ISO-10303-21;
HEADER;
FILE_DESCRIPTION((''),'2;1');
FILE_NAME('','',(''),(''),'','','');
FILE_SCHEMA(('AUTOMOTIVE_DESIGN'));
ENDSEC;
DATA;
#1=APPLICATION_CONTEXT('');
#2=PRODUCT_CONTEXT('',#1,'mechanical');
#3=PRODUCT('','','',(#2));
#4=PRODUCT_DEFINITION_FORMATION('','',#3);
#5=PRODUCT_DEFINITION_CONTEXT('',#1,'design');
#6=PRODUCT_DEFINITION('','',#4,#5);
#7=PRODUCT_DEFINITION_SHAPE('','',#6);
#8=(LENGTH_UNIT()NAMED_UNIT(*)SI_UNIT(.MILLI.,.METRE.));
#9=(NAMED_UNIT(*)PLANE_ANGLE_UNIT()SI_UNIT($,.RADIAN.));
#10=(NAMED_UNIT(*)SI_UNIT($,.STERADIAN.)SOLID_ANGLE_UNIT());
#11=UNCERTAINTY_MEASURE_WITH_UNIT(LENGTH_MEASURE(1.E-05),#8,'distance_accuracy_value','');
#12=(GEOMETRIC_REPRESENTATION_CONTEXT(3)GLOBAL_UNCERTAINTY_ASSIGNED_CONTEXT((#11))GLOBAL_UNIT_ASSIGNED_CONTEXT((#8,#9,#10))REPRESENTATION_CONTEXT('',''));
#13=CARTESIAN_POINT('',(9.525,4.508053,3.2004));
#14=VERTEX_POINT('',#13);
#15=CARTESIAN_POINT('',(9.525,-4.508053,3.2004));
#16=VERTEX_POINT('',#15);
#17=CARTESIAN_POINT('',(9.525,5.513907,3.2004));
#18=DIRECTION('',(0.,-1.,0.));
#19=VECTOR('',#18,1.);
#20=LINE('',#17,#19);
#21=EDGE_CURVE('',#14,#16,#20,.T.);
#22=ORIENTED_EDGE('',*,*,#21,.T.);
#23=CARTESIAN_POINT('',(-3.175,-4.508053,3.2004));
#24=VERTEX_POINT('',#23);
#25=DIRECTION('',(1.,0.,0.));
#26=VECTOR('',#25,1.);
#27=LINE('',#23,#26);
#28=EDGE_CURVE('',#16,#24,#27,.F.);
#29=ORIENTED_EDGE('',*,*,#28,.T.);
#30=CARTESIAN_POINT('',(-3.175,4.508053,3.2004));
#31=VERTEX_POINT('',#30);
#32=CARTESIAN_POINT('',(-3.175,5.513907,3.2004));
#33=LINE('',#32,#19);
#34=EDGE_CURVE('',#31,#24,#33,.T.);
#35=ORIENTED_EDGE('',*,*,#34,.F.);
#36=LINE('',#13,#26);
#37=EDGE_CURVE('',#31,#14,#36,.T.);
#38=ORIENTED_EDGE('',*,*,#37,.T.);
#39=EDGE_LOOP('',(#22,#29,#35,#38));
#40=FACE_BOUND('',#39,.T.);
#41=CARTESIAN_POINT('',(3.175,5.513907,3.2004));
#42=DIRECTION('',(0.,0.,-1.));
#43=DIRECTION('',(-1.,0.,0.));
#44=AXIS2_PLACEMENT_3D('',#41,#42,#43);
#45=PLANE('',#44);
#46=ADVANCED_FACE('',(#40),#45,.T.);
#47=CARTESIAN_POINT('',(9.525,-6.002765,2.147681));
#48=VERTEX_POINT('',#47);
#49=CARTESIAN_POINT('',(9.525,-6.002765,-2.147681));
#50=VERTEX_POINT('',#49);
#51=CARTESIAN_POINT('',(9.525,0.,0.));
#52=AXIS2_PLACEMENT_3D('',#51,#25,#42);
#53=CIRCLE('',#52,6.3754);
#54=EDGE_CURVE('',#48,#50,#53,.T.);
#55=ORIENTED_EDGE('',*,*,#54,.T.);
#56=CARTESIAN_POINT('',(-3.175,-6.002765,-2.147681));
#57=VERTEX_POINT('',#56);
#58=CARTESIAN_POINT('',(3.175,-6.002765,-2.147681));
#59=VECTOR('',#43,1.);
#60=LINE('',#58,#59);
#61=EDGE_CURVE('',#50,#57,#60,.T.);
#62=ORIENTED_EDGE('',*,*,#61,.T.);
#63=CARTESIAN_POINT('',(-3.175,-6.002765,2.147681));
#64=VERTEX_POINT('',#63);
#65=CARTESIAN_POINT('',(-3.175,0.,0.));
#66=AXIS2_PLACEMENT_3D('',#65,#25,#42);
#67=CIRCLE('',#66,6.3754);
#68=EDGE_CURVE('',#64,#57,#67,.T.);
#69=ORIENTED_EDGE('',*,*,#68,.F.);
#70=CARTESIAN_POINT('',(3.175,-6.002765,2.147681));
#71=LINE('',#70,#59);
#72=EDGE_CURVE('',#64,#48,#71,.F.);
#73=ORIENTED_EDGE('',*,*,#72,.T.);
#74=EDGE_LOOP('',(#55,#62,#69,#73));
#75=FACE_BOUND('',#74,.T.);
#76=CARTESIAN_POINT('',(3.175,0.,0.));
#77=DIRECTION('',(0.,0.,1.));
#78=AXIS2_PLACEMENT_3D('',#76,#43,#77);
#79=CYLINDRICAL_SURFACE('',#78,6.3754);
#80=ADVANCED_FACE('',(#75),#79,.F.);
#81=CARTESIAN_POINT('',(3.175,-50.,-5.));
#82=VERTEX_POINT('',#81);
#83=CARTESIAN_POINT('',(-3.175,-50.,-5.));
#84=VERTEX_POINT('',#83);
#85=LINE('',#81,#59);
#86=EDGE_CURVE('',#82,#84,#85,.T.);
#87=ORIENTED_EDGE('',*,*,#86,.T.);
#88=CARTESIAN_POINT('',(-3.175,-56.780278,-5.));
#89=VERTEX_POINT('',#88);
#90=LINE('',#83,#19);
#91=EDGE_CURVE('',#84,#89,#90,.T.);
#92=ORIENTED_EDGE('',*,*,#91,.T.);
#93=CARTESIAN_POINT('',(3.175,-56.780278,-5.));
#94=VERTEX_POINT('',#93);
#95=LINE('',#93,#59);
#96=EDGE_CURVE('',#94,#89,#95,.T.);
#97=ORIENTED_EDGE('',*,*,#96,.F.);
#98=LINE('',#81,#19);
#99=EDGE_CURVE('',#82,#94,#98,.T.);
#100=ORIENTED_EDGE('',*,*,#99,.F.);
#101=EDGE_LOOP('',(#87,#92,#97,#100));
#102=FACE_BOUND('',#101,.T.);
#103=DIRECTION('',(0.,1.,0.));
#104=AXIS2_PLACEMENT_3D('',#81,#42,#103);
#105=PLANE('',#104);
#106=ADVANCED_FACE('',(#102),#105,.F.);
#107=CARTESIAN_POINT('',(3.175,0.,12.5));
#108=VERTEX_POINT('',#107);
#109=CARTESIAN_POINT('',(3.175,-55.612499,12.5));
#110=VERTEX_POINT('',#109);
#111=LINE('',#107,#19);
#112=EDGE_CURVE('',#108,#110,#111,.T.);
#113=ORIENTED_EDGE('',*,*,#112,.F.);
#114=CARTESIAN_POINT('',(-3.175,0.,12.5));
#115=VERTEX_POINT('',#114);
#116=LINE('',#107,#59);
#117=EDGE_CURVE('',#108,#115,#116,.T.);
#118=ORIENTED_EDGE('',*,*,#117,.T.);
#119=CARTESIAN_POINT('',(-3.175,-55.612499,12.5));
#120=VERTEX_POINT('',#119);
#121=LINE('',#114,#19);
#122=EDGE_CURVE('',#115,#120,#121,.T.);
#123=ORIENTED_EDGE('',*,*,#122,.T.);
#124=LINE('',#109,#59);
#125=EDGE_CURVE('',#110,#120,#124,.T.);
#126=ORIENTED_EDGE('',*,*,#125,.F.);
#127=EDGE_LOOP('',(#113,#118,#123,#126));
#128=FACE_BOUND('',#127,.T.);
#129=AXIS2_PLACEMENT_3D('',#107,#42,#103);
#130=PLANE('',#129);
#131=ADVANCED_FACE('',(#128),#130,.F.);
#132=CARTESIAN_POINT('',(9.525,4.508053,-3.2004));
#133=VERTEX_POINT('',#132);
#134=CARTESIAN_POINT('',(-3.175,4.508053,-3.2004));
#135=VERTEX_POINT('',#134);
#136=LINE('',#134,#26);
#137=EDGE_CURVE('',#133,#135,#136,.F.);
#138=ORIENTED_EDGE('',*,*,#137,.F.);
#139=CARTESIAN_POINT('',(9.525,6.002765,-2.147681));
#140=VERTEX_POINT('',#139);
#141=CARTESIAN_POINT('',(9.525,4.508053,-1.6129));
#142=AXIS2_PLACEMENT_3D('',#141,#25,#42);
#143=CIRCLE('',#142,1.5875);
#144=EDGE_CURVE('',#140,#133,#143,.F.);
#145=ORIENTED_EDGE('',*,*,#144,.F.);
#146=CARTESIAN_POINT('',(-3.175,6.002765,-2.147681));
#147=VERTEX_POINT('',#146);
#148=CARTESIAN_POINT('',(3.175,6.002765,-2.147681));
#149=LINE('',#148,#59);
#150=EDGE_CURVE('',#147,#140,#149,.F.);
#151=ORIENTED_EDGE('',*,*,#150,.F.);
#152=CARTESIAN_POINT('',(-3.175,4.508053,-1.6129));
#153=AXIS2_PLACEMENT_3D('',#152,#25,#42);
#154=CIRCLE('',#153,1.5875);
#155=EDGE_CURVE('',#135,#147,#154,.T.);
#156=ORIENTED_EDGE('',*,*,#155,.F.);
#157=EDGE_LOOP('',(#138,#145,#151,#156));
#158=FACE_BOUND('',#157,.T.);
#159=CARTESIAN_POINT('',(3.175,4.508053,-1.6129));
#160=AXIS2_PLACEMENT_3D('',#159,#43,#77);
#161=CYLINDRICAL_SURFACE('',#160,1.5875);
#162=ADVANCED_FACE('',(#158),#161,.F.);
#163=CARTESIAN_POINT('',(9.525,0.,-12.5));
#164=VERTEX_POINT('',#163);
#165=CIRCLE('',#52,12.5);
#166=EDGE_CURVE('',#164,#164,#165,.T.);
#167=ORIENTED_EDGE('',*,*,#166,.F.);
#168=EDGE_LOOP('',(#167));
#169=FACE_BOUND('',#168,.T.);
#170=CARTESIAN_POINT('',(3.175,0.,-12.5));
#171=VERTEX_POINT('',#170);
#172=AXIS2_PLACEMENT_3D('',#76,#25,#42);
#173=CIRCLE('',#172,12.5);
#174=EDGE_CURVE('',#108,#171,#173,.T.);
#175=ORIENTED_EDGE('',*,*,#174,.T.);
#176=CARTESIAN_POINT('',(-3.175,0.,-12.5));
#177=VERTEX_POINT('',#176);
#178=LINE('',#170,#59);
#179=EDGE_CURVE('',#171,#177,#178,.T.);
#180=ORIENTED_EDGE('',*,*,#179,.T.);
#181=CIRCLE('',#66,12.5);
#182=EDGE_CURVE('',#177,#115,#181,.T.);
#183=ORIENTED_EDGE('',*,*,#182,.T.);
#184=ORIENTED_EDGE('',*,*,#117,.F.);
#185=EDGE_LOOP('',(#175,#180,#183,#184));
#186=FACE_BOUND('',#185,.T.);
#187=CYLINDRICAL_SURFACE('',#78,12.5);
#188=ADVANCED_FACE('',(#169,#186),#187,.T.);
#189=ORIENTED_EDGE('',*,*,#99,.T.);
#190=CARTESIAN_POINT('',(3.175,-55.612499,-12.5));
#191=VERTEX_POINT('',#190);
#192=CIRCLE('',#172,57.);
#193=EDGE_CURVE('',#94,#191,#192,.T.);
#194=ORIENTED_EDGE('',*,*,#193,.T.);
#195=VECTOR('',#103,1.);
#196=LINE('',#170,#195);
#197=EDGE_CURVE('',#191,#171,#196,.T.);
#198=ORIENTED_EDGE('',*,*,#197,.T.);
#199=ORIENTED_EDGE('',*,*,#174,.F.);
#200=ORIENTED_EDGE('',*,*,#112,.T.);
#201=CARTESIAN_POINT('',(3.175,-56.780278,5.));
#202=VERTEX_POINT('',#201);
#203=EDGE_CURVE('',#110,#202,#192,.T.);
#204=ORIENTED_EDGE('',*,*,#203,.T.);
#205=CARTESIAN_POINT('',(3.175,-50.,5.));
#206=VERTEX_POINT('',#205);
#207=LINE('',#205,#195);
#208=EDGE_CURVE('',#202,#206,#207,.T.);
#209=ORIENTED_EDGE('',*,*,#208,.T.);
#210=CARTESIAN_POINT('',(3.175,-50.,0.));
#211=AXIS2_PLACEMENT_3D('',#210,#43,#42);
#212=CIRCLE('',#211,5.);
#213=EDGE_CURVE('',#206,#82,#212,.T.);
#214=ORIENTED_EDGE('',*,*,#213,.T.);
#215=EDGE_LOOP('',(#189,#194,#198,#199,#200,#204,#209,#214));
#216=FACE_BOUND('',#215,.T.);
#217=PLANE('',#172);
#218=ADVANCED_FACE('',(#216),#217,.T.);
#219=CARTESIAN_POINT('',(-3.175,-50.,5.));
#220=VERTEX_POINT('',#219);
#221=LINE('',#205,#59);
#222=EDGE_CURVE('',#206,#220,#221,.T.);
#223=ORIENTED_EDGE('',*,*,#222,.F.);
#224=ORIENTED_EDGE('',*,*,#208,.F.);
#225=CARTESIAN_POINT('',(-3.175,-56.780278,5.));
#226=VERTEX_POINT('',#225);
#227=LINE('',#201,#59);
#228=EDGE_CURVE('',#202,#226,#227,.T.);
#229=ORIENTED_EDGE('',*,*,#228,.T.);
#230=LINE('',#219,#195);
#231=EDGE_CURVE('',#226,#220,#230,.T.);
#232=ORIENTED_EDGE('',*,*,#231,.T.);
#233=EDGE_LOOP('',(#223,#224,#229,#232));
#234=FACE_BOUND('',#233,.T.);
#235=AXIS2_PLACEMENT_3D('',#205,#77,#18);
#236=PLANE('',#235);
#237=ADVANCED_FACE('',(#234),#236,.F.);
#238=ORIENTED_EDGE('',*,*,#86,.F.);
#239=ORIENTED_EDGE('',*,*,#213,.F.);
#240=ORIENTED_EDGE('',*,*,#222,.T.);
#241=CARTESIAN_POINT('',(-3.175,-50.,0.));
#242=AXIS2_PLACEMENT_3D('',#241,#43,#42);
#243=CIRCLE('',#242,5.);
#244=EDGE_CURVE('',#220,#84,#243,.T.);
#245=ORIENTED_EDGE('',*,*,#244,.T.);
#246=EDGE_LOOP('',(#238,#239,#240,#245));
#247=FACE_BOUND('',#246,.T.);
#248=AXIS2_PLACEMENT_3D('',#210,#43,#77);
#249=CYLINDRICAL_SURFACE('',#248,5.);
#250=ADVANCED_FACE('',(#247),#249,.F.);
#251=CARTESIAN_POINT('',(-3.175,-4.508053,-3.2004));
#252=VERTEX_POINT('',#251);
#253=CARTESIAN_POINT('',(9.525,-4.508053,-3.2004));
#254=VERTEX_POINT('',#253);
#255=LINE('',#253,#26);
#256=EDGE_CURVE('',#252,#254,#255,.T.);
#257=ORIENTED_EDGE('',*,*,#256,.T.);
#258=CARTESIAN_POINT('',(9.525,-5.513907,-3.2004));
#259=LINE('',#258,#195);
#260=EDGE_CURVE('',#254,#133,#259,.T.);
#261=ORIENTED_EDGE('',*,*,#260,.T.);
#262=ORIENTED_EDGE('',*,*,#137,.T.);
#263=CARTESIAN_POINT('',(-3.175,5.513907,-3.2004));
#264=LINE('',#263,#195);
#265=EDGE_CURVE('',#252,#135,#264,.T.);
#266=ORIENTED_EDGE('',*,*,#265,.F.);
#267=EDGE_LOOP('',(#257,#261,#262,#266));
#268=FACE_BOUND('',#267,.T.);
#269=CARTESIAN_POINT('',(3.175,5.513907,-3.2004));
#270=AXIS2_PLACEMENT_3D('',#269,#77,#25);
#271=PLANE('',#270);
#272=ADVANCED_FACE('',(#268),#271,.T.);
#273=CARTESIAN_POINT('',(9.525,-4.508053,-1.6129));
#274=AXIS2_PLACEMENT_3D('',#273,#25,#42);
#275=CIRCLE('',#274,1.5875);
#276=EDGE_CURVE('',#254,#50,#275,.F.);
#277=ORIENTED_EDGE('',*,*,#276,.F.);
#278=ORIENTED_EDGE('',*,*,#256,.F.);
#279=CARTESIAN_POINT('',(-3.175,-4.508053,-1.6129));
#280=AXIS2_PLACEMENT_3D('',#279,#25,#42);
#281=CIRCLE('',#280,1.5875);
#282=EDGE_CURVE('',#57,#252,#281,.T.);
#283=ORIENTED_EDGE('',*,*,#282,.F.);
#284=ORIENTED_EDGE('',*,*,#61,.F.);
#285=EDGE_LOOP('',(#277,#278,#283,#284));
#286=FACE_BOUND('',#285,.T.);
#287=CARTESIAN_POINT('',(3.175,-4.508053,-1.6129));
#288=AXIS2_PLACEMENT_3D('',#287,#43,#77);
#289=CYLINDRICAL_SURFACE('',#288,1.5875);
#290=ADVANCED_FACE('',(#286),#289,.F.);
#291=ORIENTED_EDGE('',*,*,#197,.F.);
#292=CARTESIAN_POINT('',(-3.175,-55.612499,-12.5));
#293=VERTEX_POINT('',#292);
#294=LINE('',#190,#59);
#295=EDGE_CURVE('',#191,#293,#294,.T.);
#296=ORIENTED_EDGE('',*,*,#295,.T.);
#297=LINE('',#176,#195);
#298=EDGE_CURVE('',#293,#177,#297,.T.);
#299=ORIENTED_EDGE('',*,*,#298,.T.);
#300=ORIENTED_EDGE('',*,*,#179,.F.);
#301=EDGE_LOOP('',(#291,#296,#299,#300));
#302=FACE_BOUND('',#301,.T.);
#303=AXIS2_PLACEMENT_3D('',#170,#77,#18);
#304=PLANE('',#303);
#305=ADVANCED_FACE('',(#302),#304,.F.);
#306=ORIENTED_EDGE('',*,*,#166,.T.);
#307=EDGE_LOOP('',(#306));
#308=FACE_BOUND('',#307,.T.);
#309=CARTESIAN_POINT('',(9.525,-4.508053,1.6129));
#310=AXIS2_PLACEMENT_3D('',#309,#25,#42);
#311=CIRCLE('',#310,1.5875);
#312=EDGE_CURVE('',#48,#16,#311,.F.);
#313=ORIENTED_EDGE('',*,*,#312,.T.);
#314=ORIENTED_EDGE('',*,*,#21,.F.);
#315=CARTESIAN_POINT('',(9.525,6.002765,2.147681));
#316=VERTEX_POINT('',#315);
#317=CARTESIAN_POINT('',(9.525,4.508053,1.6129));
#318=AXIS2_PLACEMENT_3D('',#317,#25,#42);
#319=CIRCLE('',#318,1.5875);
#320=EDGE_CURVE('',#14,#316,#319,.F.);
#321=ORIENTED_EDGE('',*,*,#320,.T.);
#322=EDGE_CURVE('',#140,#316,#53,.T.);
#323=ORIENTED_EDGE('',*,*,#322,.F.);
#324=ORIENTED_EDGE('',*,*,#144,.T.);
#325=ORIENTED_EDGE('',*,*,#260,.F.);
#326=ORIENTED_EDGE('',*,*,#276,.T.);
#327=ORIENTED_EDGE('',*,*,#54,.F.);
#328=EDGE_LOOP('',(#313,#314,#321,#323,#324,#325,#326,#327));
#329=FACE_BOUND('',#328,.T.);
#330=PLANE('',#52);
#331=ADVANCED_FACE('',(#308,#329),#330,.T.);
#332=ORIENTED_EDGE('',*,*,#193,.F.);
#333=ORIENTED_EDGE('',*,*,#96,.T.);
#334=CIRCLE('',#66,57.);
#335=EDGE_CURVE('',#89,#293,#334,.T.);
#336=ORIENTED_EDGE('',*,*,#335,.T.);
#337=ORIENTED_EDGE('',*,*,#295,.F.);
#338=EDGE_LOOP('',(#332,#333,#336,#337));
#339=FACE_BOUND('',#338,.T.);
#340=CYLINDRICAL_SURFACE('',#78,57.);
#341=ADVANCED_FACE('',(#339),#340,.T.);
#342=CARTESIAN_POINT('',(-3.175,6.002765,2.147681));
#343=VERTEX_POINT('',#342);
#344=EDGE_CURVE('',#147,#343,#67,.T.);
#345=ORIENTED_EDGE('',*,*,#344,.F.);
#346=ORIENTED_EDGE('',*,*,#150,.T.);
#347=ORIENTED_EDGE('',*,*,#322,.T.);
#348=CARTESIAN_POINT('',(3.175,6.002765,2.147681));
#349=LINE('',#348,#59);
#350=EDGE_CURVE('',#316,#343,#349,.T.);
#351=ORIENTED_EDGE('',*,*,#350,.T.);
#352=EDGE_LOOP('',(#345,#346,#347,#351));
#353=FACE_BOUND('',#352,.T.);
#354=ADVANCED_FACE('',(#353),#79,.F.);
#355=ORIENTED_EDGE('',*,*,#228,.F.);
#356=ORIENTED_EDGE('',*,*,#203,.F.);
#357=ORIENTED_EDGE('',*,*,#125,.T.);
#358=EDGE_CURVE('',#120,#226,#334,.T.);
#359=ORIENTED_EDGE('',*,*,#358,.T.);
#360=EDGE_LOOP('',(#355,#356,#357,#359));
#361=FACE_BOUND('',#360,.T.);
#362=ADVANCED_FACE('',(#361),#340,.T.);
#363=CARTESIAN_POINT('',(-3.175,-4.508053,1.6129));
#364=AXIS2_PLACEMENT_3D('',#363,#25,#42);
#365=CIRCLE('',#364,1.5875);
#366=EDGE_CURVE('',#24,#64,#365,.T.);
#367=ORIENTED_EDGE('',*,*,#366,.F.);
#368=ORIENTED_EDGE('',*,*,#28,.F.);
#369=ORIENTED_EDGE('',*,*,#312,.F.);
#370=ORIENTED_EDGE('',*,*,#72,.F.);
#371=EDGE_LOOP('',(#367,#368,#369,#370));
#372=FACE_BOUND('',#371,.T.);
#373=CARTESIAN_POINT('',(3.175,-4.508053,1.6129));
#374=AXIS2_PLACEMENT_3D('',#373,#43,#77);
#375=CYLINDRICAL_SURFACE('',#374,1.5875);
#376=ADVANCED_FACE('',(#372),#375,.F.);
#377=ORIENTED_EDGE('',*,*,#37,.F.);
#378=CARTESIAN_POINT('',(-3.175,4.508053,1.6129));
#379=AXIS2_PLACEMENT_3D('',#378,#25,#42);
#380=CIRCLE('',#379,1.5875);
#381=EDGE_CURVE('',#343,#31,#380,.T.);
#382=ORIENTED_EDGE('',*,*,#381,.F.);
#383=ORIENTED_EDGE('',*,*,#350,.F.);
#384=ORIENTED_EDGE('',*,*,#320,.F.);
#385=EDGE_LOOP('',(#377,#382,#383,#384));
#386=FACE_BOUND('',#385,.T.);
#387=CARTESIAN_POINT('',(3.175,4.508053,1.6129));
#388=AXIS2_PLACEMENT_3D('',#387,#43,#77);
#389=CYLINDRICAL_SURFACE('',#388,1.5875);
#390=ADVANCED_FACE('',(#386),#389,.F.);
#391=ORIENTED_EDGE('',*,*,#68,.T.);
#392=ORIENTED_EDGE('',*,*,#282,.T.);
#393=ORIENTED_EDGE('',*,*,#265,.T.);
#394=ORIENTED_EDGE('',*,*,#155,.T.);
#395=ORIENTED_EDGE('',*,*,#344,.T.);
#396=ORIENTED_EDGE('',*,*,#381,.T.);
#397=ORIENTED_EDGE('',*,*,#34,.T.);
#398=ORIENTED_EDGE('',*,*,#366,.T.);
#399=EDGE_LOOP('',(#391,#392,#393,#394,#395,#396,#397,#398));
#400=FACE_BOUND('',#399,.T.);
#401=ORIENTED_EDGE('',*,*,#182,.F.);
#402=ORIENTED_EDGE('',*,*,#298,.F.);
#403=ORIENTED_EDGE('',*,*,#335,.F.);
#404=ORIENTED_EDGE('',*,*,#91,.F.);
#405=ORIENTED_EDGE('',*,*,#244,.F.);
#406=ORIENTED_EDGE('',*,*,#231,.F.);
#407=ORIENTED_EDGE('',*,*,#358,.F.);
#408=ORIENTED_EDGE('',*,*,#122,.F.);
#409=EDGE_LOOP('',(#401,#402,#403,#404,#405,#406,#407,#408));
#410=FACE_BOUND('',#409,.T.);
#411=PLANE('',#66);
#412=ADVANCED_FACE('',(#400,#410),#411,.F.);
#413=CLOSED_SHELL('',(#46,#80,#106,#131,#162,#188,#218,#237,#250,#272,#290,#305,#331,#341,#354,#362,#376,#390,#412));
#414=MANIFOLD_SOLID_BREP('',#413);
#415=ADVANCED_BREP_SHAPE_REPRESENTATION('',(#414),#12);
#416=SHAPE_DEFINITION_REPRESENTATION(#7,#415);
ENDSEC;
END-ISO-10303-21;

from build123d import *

# Parameters (mm, degrees)
BOSS_EXTRUDE1_DEPTH = 3.175
SKETCH2_R           = 12.5
BOSS_EXTRUDE2_DEPTH = 6.35
FILLET1_R           = 1.5875


with BuildPart() as part:
    # Sketch1 → Boss-Extrude1 (new body, symmetric)
    with BuildSketch(Plane(origin=(0, 0, 0), x_dir=(0, 0, -1), z_dir=(1, 0, 0))):
        with BuildLine():
            Line((12.5, 0), (12.5, -55.612498595))
            ThreePointArc((12.5, -55.612498595), (8.769459923, -56.321368704), (5, -56.780278266))
            Line((5, -56.780278266), (5, -50))
            ThreePointArc((5, -50), (0, -45), (-5, -50))
            Line((-5, -50), (-5, -56.780278266))
            ThreePointArc((-5, -56.780278266), (-8.769459923, -56.321368704), (-12.5, -55.612498595))
            Line((-12.5, -55.612498595), (-12.5, 0))
            ThreePointArc((-12.5, 0), (0, 12.5), (12.5, 0))
        make_face()
        with BuildLine():
            Line((-3.2004, 5.51390651), (-3.2004, -5.51390651))
            ThreePointArc((-3.2004, -5.51390651), (0, -6.3754), (3.2004, -5.51390651))
            Line((3.2004, -5.51390651), (3.2004, 5.51390651))
            ThreePointArc((3.2004, 5.51390651), (0, 6.3754), (-3.2004, 5.51390651))
        make_face(mode=Mode.SUBTRACT)
    extrude(amount=BOSS_EXTRUDE1_DEPTH, both=True)

    # Sketch2 → Boss-Extrude2 (add)
    with BuildSketch(Plane(origin=(3.175, 0, 0), x_dir=(0, 0, -1), z_dir=(1, 0, 0))):
        Circle(SKETCH2_R)
        with BuildLine():
            Line((-3.2004, 5.51390651), (-3.2004, -5.51390651))
            ThreePointArc((-3.2004, -5.51390651), (0, -6.3754), (3.2004, -5.51390651))
            Line((3.2004, -5.51390651), (3.2004, 5.51390651))
            ThreePointArc((3.2004, 5.51390651), (0, 6.3754), (-3.2004, 5.51390651))
        make_face(mode=Mode.SUBTRACT)
    extrude(amount=BOSS_EXTRUDE2_DEPTH)

    # Fillet1
    fillet1_edges = [part.edges().sort_by_distance(p)[0] for p in [
        (0, 5.51390651, -3.2004),
        (0, 5.51390651, 3.2004),
        (0, -5.51390651, 3.2004),
        (0, -5.51390651, -3.2004),
    ]]
    fillet(fillet1_edges, radius=FILLET1_R)


solid = part.part
